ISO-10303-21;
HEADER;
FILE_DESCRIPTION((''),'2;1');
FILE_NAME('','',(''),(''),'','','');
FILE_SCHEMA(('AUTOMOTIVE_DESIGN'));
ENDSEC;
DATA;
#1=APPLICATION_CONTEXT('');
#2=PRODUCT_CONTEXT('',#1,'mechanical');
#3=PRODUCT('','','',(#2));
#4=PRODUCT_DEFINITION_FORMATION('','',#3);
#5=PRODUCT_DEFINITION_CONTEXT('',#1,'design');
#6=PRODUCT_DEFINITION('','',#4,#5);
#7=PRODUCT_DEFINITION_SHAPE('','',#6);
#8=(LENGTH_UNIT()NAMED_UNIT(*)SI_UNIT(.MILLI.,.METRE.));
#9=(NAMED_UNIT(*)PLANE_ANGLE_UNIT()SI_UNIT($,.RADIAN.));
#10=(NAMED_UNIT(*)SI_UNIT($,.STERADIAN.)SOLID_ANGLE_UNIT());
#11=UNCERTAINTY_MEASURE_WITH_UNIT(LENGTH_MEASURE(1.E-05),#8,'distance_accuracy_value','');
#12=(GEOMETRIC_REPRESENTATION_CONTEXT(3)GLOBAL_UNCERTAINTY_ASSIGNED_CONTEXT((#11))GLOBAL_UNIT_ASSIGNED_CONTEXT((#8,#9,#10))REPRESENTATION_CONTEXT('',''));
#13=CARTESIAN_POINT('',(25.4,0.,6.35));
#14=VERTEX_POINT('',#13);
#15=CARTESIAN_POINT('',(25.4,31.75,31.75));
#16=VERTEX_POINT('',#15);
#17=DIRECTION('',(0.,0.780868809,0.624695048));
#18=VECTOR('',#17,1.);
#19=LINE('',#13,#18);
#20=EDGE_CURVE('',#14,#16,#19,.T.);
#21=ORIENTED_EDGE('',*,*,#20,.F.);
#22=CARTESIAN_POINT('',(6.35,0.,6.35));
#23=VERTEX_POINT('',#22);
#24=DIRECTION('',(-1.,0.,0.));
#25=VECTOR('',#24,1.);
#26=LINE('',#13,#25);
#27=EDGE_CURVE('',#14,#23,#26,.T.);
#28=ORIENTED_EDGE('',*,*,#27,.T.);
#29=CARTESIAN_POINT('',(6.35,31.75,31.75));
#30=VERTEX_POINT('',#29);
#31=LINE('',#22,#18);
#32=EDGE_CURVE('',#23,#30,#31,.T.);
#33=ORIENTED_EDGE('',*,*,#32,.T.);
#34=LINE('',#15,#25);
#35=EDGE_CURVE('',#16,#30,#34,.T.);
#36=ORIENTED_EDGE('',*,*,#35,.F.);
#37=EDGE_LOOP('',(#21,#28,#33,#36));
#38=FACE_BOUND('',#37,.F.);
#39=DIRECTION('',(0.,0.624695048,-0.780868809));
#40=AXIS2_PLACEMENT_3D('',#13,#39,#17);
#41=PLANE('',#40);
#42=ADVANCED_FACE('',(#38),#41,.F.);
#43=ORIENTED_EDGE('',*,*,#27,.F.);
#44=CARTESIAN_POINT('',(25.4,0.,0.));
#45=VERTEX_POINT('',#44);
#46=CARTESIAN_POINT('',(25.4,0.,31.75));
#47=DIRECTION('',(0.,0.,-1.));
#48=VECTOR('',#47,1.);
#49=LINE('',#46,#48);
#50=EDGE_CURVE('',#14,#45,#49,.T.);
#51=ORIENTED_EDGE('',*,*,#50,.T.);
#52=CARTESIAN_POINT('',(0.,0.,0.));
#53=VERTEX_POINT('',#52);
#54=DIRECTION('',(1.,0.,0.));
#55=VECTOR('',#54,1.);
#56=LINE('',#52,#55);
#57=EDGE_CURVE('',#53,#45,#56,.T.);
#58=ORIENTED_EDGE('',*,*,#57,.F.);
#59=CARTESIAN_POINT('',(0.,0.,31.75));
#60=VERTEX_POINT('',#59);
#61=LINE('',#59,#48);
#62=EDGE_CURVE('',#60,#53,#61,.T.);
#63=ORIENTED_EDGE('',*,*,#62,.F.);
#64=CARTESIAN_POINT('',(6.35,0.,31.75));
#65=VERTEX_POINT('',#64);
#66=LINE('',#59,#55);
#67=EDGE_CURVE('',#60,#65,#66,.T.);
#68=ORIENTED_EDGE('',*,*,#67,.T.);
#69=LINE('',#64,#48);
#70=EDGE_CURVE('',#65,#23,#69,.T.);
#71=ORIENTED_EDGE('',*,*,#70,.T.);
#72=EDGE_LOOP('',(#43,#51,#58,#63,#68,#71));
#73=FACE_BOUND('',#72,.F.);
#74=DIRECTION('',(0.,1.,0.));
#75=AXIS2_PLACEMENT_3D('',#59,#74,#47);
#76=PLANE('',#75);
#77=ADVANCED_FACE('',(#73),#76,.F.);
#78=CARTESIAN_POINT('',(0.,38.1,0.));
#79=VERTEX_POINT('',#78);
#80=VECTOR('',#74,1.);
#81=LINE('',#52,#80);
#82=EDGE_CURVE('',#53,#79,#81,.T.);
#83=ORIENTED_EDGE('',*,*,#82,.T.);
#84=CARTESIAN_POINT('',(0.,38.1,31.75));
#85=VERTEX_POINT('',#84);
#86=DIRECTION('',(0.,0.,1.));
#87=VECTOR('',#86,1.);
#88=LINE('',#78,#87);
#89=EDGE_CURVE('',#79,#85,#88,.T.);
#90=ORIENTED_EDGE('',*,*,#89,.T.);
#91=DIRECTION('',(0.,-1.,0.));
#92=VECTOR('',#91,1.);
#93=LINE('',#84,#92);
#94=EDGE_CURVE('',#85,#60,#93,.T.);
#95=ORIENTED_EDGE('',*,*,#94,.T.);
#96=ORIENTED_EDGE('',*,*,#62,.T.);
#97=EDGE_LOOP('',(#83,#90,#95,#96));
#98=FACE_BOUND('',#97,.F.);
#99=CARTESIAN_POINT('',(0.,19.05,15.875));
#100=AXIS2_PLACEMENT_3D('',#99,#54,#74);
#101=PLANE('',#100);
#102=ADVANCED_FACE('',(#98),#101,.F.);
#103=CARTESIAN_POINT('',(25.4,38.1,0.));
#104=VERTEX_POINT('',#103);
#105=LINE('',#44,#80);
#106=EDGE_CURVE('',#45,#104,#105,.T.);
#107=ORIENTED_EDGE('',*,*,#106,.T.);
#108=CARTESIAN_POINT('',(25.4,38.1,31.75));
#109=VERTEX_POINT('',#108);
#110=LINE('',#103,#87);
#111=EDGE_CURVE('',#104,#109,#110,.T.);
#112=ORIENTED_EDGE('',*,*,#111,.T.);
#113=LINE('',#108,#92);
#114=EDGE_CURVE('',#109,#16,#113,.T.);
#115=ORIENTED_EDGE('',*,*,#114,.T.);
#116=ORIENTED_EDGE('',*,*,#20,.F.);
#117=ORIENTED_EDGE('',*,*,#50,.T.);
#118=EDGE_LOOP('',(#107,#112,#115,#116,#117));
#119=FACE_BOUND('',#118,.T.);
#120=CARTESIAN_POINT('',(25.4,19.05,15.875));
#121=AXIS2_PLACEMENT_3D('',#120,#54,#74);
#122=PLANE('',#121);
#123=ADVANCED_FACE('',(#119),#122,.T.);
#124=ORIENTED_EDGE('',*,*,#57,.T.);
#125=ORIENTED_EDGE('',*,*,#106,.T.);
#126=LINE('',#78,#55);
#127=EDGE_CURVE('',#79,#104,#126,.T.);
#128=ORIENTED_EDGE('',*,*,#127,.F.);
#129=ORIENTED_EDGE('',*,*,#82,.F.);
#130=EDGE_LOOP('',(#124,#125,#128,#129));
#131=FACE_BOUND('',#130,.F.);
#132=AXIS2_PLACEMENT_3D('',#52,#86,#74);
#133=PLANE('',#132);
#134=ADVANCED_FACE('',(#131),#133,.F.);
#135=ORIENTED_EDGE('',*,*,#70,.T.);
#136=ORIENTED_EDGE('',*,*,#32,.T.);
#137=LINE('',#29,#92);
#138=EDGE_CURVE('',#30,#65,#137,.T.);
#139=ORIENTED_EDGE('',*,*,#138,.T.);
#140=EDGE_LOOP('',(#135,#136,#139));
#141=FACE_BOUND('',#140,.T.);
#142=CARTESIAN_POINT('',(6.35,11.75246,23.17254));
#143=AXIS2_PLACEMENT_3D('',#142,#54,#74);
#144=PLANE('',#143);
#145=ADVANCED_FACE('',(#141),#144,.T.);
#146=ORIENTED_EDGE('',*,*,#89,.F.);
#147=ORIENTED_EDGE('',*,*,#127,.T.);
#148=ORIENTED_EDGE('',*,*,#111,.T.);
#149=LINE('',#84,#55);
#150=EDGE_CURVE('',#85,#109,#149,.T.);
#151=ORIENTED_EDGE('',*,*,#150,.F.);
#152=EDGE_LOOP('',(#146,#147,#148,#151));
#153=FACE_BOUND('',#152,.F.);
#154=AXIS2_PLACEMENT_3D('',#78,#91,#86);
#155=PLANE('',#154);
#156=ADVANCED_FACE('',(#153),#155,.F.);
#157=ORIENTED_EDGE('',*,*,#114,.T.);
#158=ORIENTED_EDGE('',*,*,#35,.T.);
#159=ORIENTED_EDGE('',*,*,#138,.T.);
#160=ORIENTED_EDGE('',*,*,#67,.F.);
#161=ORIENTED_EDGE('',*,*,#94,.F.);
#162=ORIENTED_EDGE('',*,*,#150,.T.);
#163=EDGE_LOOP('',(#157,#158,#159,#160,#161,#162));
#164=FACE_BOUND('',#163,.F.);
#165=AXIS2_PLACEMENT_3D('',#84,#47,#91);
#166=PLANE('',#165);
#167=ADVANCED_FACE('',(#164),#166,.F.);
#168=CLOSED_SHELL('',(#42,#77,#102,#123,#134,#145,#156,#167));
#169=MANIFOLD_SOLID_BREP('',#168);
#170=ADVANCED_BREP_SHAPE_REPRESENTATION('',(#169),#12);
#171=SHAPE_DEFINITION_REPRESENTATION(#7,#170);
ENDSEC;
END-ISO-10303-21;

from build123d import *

# Parameters (mm, degrees)
F1_DEPTH = 25.4
F3_DEPTH = 19.05


with BuildPart() as f1:
    # F0 (on Right) → F1 (new body)
    with BuildSketch(Plane.YZ):
        Polygon((0, 31.75), (0, 0), (38.1, 0), (38.1, 31.75), (31.75, 31.75), align=None)
    extrude(amount=F1_DEPTH)

    # F2 (on face) → F3 (cut)
    with BuildSketch(Plane.YZ.offset(25.4)):
        Polygon((0, 6.35), (31.75, 31.75), (0, 31.75), align=None)
    extrude(amount=-F3_DEPTH, mode=Mode.SUBTRACT)


solid = f1.part
